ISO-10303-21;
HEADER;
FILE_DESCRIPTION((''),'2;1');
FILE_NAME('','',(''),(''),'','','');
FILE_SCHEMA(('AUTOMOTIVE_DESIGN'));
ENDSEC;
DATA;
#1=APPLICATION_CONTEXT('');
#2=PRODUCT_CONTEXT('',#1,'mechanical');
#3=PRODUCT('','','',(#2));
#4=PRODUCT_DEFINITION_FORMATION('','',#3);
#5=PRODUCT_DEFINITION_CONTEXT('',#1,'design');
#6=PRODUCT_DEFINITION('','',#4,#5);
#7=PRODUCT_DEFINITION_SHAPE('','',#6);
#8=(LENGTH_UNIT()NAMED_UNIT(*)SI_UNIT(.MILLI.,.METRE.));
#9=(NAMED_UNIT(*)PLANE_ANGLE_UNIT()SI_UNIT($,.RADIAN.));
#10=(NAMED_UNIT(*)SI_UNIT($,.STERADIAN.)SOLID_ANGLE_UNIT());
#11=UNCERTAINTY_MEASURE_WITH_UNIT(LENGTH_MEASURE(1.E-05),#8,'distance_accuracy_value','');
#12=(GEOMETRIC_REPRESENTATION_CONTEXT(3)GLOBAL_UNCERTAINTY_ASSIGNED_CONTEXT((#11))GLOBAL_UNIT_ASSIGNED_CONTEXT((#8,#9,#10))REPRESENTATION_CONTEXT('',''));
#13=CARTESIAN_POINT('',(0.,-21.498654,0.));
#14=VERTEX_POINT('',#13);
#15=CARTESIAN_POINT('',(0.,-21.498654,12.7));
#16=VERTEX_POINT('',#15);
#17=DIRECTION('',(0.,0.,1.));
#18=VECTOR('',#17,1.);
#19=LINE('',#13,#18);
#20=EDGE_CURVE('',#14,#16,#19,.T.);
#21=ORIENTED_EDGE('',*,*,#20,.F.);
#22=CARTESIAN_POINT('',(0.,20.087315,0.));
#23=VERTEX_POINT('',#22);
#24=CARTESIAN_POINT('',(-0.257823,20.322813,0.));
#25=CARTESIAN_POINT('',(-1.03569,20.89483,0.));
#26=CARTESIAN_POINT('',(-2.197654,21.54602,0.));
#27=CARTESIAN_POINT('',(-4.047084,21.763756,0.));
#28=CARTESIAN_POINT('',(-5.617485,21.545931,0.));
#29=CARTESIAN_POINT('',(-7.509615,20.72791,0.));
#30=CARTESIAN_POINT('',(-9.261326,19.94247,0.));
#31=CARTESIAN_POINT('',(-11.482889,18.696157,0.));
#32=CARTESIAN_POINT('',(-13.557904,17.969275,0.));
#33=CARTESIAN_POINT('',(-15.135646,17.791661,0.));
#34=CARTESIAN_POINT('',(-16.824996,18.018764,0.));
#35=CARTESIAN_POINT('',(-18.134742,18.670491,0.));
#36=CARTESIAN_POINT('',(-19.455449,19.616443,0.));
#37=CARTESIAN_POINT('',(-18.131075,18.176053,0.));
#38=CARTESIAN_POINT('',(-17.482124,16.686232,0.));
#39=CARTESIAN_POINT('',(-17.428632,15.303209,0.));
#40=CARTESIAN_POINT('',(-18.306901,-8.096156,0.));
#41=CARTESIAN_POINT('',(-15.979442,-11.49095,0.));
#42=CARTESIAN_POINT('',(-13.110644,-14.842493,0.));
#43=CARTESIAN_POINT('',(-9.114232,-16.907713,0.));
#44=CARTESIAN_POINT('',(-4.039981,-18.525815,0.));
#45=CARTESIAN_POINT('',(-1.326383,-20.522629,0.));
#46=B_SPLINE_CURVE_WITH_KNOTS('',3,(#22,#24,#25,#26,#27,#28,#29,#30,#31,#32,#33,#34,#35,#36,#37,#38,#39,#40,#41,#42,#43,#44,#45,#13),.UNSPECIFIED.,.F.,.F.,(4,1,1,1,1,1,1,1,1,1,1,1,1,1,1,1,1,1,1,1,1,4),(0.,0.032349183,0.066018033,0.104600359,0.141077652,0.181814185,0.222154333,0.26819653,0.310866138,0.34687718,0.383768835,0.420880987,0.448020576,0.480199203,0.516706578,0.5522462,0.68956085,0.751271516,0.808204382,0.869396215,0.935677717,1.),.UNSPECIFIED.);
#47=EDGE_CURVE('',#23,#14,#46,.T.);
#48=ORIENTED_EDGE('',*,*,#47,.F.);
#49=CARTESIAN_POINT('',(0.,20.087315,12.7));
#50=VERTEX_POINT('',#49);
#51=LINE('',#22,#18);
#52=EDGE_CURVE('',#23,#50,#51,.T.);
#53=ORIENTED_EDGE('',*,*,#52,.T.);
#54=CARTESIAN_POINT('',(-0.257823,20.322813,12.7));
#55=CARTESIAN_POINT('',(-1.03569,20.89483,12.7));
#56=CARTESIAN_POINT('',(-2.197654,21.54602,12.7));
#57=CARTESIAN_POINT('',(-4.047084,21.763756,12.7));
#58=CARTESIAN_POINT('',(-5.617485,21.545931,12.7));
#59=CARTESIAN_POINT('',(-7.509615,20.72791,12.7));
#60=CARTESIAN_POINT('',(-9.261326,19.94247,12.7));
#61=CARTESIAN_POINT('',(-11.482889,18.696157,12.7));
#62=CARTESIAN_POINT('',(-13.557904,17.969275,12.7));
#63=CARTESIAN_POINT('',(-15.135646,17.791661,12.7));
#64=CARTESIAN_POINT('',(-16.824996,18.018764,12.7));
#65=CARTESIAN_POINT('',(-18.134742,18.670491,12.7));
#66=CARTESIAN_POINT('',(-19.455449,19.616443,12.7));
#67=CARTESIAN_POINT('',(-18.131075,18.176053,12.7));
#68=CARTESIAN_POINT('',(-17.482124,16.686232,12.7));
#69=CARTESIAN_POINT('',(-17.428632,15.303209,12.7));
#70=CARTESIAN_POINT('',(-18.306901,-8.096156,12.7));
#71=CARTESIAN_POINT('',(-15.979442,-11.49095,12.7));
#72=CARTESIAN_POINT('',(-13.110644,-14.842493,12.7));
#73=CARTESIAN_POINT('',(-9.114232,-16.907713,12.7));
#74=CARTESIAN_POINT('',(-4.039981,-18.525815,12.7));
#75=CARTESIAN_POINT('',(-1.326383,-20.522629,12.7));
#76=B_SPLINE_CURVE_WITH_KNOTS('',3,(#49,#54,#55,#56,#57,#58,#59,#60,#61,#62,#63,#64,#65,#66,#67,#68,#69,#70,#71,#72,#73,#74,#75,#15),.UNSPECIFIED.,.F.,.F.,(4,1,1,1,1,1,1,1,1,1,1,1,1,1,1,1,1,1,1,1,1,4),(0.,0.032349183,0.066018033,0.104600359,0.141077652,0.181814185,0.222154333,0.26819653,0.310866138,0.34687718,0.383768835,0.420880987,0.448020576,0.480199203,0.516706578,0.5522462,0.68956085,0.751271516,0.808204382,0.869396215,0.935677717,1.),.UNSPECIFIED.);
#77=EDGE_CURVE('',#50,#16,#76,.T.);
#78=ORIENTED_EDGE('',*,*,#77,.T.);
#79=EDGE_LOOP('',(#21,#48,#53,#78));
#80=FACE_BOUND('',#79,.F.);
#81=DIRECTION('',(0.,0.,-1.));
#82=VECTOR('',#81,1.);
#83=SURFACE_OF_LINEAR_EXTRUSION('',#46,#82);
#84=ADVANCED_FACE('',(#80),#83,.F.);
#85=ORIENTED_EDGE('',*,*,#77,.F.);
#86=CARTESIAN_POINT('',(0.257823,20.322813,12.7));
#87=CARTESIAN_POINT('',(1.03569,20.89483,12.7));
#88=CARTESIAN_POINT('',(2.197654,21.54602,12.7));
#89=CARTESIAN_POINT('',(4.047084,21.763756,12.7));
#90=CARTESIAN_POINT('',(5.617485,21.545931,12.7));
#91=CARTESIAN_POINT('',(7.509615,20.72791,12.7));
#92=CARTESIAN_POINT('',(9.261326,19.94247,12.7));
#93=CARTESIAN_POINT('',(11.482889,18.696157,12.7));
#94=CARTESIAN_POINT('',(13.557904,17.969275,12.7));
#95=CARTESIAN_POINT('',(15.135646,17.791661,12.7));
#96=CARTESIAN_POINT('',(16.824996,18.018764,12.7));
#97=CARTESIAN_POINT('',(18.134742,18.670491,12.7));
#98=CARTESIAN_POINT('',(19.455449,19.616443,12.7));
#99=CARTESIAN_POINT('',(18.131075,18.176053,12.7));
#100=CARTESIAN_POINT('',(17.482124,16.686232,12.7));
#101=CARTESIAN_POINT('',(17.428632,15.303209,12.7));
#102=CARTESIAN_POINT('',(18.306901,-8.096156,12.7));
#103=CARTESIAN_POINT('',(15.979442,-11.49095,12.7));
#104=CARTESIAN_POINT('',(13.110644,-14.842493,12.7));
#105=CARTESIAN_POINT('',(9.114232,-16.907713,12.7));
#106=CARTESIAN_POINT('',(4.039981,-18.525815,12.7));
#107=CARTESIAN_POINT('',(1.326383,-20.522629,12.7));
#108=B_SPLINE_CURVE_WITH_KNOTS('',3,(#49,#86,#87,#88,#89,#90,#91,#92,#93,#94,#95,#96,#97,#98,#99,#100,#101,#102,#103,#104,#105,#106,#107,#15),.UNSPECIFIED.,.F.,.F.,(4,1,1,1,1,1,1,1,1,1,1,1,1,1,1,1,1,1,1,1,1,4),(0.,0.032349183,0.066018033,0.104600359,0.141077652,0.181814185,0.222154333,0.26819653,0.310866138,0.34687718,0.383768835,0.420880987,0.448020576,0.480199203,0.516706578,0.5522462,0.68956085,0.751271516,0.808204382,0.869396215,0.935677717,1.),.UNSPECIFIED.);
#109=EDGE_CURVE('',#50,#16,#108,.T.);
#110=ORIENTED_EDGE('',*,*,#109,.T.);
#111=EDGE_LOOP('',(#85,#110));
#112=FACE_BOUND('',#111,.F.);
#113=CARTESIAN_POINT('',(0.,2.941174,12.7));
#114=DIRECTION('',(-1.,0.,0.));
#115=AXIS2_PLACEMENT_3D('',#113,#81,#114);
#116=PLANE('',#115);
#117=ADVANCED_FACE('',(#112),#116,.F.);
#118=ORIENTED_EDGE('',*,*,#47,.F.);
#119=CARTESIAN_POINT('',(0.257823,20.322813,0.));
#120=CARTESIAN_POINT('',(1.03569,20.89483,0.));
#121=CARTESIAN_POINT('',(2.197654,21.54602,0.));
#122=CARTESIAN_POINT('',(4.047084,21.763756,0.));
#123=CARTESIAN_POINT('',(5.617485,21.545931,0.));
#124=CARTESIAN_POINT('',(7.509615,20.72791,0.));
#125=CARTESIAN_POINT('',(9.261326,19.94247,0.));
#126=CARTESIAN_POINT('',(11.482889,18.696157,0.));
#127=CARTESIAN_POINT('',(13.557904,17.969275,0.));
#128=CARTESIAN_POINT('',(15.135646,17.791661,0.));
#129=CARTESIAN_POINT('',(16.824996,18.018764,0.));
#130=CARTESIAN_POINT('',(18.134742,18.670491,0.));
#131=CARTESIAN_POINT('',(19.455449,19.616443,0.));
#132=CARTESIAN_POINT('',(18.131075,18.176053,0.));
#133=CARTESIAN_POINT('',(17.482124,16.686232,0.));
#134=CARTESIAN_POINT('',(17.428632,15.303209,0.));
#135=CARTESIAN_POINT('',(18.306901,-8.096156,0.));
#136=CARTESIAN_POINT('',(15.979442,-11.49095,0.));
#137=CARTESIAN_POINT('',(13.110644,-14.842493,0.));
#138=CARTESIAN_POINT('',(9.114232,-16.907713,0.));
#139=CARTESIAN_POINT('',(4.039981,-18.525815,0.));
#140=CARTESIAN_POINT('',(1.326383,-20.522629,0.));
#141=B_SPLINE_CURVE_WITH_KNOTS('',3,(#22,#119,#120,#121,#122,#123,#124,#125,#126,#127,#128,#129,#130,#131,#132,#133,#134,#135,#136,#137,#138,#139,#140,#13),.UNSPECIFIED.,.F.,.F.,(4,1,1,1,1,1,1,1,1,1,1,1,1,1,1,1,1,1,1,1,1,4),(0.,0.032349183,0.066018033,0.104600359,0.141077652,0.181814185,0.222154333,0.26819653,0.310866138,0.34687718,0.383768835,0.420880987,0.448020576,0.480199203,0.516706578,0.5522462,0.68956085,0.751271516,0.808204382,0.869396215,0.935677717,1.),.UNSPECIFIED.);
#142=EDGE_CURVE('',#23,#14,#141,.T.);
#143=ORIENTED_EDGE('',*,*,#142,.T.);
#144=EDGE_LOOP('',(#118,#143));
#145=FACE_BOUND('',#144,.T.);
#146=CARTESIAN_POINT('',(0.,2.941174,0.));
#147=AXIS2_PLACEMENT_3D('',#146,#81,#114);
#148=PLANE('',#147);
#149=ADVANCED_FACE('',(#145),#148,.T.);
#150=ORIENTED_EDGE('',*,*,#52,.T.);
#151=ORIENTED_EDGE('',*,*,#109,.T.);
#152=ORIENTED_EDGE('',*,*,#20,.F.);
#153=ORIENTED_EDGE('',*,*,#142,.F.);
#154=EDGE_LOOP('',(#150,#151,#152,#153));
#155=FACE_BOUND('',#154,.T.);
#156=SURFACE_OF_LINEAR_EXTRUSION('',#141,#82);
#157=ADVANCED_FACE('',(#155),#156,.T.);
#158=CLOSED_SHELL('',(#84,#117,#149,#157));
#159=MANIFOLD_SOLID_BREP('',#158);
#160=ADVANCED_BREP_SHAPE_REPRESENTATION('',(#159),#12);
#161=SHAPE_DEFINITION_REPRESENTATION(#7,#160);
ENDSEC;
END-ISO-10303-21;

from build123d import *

# Parameters (mm, degrees)
F2_DEPTH = 12.7


with BuildPart() as f2:
    # F1 (on face) → F2 (new body)
    with BuildSketch(Plane.XY):
        with BuildLine():
            add(Edge.make_bspline(
                [(0, 20.0873147696), (0.2578232743, 20.3228130184), (1.0356900256, 20.8948296385), (2.1976543321, 21.5460197196), (4.0470835132, 21.7637561615), (5.6174846276, 21.5459309367), (7.5096146046, 20.7279096921), (9.261325686, 19.9424701729), (11.4828894328, 18.6961573222), (13.5579044814, 17.9692753894), (15.1356462575, 17.7916608026), (16.824996192, 18.018763986), (18.1347417146, 18.6704911259), (19.4554486161, 19.6164427806), (18.131075258, 18.1760528838), (17.4821240435, 16.6862315002), (17.4286318686, 15.303209066), (18.3069011011, -8.0961561875), (15.97944199, -11.4909502621), (13.1106444471, -14.8424928843), (9.114232312, -16.9077134408), (4.0399808292, -18.5258149024), (1.3263828332, -20.5226289125), (0, -21.4986540377)],
                knots=[0, 0, 0, 0, 0.0323491832, 0.0660180334, 0.1046003592, 0.1410776519, 0.1818141846, 0.2221543327, 0.2681965303, 0.3108661381, 0.3468771795, 0.383768835, 0.4208809872, 0.4480205756, 0.4801992031, 0.516706578, 0.5522461998, 0.6895608499, 0.7512715161, 0.8082043823, 0.8693962147, 0.9356777173, 1, 1, 1, 1], degree=3))
            add(Edge.make_bspline(
                [(0, 20.0873147696), (-0.2578232743, 20.3228130184), (-1.0356900256, 20.8948296385), (-2.1976543321, 21.5460197196), (-4.0470835132, 21.7637561615), (-5.6174846276, 21.5459309367), (-7.5096146046, 20.7279096921), (-9.261325686, 19.9424701729), (-11.4828894328, 18.6961573222), (-13.5579044814, 17.9692753894), (-15.1356462575, 17.7916608026), (-16.824996192, 18.018763986), (-18.1347417146, 18.6704911259), (-19.4554486161, 19.6164427806), (-18.131075258, 18.1760528838), (-17.4821240435, 16.6862315002), (-17.4286318686, 15.303209066), (-18.3069011011, -8.0961561875), (-15.97944199, -11.4909502621), (-13.1106444471, -14.8424928843), (-9.114232312, -16.9077134408), (-4.0399808292, -18.5258149024), (-1.3263828332, -20.5226289125), (0, -21.4986540377)],
                knots=[0, 0, 0, 0, 0.0323491832, 0.0660180334, 0.1046003592, 0.1410776519, 0.1818141846, 0.2221543327, 0.2681965303, 0.3108661381, 0.3468771795, 0.383768835, 0.4208809872, 0.4480205756, 0.4801992031, 0.516706578, 0.5522461998, 0.6895608499, 0.7512715161, 0.8082043823, 0.8693962147, 0.9356777173, 1, 1, 1, 1], degree=3))
        make_face()
    extrude(amount=F2_DEPTH)


solid = f2.part
